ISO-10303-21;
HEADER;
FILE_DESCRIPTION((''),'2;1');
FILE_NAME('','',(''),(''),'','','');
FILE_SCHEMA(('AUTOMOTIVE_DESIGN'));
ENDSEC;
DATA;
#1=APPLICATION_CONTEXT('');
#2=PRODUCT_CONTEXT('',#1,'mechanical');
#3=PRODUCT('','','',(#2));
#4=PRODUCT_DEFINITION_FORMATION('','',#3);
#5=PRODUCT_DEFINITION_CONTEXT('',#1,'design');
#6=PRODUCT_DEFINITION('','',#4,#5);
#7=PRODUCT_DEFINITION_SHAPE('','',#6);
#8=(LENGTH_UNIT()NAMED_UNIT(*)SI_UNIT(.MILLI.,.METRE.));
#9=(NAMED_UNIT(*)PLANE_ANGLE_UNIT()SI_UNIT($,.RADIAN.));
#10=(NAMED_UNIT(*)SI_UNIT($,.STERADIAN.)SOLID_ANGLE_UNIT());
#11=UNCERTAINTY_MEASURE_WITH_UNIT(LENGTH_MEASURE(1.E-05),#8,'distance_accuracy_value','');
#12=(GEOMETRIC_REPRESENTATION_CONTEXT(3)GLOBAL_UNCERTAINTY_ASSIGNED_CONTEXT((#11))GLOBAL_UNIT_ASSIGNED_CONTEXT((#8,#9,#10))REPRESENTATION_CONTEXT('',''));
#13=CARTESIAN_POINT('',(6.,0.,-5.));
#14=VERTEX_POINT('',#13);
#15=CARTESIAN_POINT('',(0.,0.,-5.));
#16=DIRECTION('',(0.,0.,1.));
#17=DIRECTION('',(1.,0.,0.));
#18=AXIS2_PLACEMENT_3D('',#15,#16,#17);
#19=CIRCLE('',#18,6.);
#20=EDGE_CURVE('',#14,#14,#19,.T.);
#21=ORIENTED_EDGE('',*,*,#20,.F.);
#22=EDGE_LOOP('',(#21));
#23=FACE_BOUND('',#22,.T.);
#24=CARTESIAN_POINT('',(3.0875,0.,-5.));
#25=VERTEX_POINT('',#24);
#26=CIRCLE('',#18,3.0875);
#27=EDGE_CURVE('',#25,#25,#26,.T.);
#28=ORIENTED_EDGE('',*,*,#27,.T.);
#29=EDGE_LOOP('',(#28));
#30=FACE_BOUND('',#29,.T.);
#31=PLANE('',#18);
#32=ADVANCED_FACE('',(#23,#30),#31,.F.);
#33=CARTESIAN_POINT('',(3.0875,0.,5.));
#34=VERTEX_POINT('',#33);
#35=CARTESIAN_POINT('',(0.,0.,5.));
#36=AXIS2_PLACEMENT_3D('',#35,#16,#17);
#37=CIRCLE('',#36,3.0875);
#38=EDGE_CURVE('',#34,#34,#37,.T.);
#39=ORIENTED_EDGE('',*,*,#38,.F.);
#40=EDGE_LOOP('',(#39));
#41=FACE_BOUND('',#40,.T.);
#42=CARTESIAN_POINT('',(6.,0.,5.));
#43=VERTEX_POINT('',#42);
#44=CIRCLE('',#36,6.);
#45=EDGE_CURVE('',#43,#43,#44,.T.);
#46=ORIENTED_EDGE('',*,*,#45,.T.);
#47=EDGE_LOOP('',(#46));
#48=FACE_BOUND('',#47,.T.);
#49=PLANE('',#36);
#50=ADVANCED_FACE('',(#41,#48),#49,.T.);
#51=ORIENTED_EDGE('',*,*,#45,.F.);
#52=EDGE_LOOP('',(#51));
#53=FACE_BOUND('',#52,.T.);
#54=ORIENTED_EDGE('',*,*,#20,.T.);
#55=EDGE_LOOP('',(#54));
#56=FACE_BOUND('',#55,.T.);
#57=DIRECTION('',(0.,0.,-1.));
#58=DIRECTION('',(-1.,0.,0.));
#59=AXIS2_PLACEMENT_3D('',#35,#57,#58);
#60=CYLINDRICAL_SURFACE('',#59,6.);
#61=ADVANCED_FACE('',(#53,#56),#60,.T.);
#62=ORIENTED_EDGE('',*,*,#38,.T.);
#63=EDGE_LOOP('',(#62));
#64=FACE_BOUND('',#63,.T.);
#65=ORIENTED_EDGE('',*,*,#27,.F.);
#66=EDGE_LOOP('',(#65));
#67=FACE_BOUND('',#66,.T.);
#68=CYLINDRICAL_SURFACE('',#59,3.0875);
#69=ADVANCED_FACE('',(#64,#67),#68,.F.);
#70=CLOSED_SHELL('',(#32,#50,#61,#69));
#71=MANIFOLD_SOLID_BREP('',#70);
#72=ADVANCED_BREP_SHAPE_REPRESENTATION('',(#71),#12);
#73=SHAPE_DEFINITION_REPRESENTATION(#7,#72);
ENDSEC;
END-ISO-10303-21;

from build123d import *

# Parameters (mm, degrees)
SKETCH1_R      = 6
SKETCH1_R_2    = 3.0875
EXTRUDE1_DEPTH = 5


with BuildPart() as part:
    # Sketch1 → Extrude1 (new, symmetric)
    with BuildSketch(Plane.XY):
        Circle(SKETCH1_R)
        Circle(SKETCH1_R_2, mode=Mode.SUBTRACT)
    extrude(amount=EXTRUDE1_DEPTH, both=True)


solid = part.part
